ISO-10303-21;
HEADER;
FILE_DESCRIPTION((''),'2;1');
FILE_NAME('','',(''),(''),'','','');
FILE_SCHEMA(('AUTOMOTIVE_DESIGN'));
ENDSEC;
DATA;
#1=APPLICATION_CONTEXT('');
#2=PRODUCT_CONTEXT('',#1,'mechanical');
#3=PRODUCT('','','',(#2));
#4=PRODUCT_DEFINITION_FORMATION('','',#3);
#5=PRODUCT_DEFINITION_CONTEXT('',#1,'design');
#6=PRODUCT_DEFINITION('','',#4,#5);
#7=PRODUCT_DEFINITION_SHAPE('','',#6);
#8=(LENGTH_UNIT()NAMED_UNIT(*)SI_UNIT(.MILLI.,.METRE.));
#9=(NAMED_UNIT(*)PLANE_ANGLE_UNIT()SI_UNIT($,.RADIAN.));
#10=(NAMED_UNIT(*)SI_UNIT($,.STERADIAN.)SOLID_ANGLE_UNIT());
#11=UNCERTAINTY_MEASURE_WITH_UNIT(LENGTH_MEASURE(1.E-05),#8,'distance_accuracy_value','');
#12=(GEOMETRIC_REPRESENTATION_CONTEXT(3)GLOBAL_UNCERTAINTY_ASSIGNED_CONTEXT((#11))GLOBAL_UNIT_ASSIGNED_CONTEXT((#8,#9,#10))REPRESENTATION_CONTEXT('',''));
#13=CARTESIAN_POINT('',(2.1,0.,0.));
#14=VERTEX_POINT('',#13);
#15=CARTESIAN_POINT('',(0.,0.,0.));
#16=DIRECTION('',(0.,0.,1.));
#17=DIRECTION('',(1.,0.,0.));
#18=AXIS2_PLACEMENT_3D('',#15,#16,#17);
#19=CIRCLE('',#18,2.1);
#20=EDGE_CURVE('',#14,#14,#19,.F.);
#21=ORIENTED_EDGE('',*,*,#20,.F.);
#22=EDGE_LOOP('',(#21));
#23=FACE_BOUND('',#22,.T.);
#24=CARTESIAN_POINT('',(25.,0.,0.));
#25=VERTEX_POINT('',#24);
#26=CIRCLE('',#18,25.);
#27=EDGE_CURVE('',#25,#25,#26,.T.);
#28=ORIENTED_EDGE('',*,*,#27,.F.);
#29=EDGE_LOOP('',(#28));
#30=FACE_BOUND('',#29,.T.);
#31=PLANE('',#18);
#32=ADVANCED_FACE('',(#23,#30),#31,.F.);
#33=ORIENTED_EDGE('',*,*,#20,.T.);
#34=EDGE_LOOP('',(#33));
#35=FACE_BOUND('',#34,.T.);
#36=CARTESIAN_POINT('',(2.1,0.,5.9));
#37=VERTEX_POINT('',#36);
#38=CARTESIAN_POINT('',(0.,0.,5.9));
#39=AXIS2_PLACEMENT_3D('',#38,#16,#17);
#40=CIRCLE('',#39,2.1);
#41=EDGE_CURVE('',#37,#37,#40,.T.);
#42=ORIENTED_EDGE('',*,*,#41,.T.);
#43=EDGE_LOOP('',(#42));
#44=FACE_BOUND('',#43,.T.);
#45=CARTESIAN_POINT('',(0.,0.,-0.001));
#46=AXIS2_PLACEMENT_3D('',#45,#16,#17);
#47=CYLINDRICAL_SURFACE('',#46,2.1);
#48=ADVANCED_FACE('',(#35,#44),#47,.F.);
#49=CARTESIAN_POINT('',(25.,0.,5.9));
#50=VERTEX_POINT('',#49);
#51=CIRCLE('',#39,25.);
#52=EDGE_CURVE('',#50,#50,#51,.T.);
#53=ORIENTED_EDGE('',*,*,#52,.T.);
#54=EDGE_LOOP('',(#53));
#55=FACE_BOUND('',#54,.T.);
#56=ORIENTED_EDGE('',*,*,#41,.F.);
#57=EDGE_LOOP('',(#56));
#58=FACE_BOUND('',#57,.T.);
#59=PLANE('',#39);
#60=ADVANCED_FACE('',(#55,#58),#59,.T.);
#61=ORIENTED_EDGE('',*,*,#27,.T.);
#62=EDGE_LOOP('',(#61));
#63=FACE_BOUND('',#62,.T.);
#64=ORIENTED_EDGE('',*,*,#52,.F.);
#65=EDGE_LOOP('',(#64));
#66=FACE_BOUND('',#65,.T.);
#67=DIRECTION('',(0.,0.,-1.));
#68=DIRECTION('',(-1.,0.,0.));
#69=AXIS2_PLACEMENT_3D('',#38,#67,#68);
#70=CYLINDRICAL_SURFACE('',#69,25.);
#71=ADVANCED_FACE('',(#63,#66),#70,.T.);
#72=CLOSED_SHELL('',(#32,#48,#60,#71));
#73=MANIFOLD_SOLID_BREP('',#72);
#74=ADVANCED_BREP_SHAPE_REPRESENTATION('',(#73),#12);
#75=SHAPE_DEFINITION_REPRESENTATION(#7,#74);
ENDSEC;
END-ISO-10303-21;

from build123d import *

# Parameters (mm, degrees)
SKETCH1_R           = 25
BOSS_EXTRUDE1_DEPTH = 5.9
CUT_EXTRUDE1_REACH  = 7.9
SKETCH2_R           = 2.1


with BuildPart() as part:
    # Sketch1 → Boss-Extrude1 (new body)
    with BuildSketch(Plane.XY):
        Circle(SKETCH1_R)
    extrude(amount=BOSS_EXTRUDE1_DEPTH)

    # Sketch2 → Cut-Extrude1 (cut, up to next)
    with BuildSketch(Plane.XY.offset(5.9), mode=Mode.PRIVATE) as cut_extrude1_sk1:
        Circle(SKETCH2_R)
    cut_extrude1_tool1 = extrude(cut_extrude1_sk1.sketch, amount=-CUT_EXTRUDE1_REACH, mode=Mode.PRIVATE) & part.part
    add(cut_extrude1_tool1.solids().sort_by_distance((0, 0, 5.9))[0], mode=Mode.SUBTRACT)


solid = part.part
